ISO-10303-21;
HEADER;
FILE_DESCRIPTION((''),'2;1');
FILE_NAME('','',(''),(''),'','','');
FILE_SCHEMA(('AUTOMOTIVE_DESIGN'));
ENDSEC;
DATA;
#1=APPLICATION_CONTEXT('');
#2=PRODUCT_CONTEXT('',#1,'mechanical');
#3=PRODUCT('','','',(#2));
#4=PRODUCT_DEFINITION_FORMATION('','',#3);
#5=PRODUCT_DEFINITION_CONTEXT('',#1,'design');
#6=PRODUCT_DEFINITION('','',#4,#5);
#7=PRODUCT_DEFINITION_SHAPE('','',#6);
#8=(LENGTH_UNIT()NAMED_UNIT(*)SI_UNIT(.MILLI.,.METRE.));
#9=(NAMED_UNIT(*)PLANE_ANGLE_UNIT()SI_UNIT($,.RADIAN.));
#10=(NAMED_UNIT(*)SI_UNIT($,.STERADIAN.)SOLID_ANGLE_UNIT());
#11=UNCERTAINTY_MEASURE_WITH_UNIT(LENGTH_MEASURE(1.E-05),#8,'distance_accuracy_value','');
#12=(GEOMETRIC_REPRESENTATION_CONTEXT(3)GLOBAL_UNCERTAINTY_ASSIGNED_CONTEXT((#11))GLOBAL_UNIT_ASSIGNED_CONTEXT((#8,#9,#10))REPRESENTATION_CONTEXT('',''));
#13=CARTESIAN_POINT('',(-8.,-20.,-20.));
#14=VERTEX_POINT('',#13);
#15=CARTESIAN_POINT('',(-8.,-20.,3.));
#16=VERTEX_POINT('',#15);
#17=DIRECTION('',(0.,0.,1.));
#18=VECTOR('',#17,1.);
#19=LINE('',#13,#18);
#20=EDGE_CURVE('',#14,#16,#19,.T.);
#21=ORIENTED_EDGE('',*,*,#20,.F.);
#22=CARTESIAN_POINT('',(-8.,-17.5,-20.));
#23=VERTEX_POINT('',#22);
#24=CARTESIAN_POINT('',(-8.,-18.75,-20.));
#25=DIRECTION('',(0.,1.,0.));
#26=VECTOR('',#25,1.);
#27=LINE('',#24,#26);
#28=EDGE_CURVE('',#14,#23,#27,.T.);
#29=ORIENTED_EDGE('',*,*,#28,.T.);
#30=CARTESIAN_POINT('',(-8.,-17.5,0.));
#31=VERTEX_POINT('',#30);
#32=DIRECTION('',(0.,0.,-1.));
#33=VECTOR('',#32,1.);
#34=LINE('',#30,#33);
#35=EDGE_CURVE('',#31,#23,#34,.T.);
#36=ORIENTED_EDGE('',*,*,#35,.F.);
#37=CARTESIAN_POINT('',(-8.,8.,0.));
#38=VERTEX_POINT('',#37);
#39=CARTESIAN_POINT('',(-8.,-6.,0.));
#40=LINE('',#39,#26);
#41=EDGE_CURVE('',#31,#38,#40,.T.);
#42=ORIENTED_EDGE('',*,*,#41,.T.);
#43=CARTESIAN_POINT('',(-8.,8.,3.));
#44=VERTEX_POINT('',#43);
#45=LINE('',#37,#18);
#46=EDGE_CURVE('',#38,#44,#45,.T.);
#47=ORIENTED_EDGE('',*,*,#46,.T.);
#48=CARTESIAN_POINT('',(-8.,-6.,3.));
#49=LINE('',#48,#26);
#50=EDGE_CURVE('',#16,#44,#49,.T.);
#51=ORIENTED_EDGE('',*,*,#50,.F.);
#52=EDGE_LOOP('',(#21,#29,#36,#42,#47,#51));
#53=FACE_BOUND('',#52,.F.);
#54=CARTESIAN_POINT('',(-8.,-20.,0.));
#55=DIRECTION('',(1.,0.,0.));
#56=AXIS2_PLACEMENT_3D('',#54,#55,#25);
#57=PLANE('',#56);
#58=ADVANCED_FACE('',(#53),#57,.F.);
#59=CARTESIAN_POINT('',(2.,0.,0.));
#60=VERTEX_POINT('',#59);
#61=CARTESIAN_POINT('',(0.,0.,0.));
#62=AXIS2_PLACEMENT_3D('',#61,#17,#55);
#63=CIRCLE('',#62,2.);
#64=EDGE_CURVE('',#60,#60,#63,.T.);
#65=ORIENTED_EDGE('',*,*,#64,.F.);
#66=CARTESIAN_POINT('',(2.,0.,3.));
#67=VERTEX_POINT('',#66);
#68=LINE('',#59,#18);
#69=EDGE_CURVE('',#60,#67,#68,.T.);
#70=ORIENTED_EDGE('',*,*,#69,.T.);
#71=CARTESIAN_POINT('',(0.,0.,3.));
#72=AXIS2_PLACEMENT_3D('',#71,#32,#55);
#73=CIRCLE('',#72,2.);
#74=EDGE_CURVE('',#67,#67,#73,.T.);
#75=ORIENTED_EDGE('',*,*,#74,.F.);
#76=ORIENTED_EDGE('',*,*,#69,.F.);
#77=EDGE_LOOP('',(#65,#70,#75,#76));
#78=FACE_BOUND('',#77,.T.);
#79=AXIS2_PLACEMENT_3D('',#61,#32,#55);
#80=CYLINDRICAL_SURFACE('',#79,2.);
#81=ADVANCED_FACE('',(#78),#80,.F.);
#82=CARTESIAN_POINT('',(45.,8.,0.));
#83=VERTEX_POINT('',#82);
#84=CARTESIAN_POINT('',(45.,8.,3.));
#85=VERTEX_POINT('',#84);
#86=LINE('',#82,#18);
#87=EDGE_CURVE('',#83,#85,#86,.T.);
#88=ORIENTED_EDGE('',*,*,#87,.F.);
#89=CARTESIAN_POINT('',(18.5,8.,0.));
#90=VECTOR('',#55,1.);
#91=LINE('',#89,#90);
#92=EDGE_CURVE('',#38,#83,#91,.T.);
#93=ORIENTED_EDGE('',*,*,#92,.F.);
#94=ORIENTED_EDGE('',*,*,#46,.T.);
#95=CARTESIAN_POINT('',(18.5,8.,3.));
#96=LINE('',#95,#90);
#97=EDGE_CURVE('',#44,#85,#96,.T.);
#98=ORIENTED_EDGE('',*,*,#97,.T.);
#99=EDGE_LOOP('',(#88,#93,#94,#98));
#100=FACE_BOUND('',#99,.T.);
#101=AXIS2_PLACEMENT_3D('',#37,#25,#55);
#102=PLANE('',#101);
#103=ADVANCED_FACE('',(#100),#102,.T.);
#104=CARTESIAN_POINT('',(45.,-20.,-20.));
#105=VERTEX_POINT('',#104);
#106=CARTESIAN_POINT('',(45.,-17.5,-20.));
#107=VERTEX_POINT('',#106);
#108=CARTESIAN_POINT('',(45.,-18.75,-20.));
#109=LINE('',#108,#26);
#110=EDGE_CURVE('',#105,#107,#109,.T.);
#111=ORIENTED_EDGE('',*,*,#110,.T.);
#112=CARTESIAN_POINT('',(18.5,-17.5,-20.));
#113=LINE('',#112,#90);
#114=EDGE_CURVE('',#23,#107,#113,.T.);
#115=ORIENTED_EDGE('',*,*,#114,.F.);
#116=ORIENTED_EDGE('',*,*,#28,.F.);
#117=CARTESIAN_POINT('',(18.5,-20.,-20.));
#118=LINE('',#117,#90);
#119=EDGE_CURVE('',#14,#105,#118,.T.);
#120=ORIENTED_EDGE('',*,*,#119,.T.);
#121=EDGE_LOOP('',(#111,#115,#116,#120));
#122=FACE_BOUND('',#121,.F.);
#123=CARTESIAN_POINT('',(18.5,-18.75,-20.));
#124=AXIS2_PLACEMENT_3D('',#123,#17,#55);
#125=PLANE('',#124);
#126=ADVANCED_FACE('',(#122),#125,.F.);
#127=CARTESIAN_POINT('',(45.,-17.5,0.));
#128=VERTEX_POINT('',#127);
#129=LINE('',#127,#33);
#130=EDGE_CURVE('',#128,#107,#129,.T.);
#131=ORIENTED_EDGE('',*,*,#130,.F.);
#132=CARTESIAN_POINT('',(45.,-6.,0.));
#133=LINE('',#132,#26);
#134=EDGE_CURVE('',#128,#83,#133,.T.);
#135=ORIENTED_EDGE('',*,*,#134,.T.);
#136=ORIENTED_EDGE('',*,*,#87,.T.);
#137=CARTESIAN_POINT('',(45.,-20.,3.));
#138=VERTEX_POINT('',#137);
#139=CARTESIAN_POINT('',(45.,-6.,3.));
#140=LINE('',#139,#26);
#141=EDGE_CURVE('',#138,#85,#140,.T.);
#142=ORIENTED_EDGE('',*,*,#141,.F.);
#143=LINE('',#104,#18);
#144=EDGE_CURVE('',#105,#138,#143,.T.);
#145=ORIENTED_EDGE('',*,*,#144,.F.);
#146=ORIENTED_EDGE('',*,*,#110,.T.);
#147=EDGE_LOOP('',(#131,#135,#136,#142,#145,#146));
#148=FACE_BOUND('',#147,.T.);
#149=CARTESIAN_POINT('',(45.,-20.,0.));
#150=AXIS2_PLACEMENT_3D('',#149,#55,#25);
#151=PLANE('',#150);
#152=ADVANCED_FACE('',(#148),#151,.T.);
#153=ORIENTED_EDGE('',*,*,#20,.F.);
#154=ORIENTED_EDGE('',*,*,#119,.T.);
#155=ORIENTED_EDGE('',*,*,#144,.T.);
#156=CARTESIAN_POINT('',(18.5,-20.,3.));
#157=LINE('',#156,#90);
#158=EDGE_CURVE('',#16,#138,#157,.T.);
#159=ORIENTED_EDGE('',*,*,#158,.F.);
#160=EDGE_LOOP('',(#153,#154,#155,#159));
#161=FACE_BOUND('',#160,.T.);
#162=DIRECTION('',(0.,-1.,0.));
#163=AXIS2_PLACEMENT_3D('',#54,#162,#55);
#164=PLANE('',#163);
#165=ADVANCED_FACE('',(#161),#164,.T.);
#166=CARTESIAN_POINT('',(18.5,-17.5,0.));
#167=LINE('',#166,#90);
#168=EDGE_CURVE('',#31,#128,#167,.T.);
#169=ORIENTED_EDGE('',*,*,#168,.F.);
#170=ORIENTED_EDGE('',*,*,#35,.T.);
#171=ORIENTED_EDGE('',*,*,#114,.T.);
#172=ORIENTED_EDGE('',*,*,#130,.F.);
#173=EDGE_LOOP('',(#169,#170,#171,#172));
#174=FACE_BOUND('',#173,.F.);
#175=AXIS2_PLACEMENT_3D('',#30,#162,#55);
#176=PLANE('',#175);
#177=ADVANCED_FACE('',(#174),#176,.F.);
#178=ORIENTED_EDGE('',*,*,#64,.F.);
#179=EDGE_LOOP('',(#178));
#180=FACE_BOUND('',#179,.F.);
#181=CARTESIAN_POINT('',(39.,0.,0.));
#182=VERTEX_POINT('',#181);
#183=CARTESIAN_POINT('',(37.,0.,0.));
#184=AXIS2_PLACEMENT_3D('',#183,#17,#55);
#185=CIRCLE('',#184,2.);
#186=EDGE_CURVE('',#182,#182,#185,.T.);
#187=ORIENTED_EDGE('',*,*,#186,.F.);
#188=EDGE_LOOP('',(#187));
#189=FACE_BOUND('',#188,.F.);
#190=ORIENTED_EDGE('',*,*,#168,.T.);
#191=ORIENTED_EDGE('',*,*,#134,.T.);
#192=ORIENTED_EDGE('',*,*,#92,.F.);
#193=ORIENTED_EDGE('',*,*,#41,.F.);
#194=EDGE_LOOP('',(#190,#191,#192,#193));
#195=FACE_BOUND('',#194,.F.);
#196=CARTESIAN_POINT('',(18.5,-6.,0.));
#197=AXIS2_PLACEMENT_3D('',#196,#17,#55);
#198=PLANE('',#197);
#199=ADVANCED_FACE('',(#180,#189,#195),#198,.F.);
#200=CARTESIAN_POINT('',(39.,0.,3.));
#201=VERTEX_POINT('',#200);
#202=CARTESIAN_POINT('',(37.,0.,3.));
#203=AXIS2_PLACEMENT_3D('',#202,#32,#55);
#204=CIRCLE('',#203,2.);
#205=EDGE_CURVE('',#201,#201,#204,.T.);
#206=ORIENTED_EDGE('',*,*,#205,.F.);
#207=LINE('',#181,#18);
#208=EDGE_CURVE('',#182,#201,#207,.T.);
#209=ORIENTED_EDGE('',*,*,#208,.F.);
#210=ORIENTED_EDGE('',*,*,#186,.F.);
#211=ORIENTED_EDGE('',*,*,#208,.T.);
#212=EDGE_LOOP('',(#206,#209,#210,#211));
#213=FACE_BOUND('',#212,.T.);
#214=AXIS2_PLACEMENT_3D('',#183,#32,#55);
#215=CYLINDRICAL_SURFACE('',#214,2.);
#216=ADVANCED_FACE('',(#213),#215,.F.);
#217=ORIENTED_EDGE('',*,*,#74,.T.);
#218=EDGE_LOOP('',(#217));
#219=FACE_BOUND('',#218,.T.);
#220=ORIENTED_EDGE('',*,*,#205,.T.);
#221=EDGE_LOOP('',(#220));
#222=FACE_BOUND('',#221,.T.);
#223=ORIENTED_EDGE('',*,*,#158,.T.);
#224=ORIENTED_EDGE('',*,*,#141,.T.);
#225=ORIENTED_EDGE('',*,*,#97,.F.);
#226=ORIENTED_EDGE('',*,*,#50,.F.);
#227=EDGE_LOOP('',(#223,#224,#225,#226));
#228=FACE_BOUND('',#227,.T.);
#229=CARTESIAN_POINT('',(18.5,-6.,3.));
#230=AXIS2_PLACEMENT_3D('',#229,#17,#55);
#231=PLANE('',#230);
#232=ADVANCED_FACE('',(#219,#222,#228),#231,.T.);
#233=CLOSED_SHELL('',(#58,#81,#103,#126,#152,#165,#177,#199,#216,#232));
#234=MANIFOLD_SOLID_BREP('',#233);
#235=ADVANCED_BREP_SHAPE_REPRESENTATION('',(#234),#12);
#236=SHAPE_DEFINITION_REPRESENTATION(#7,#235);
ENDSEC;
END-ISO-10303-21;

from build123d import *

# Parameters (mm, degrees)
SKETCH002_W     = 53
SKETCH002_H     = 28
PAD_DEPTH       = 3
SKETCH_R        = 2
POCKET_DEPTH    = 5
SKETCH001_R     = 2
POCKET001_DEPTH = 5
SKETCH003_W     = 53
SKETCH003_H     = 2.5
PAD001_DEPTH    = 20


with BuildPart() as part:
    # Sketch002 → Pad (new body)
    with BuildSketch(Plane.XY):
        with Locations((18.5, -6)):
            Rectangle(SKETCH002_W, SKETCH002_H)
    extrude(amount=PAD_DEPTH)

    # Sketch → Pocket (cut)
    with BuildSketch(Plane.XY):
        Circle(SKETCH_R)
    extrude(amount=POCKET_DEPTH, mode=Mode.SUBTRACT)

    # Sketch001 → Pocket001 (cut)
    with BuildSketch(Plane.XY):
        with Locations((37, 0)):
            Circle(SKETCH001_R)
    extrude(amount=POCKET001_DEPTH, mode=Mode.SUBTRACT)

    # Sketch003 → Pad001 (join)
    with BuildSketch(Plane.XY):
        with Locations((18.5, -18.75)):
            Rectangle(SKETCH003_W, SKETCH003_H)
    extrude(amount=-PAD001_DEPTH)


solid = part.part
